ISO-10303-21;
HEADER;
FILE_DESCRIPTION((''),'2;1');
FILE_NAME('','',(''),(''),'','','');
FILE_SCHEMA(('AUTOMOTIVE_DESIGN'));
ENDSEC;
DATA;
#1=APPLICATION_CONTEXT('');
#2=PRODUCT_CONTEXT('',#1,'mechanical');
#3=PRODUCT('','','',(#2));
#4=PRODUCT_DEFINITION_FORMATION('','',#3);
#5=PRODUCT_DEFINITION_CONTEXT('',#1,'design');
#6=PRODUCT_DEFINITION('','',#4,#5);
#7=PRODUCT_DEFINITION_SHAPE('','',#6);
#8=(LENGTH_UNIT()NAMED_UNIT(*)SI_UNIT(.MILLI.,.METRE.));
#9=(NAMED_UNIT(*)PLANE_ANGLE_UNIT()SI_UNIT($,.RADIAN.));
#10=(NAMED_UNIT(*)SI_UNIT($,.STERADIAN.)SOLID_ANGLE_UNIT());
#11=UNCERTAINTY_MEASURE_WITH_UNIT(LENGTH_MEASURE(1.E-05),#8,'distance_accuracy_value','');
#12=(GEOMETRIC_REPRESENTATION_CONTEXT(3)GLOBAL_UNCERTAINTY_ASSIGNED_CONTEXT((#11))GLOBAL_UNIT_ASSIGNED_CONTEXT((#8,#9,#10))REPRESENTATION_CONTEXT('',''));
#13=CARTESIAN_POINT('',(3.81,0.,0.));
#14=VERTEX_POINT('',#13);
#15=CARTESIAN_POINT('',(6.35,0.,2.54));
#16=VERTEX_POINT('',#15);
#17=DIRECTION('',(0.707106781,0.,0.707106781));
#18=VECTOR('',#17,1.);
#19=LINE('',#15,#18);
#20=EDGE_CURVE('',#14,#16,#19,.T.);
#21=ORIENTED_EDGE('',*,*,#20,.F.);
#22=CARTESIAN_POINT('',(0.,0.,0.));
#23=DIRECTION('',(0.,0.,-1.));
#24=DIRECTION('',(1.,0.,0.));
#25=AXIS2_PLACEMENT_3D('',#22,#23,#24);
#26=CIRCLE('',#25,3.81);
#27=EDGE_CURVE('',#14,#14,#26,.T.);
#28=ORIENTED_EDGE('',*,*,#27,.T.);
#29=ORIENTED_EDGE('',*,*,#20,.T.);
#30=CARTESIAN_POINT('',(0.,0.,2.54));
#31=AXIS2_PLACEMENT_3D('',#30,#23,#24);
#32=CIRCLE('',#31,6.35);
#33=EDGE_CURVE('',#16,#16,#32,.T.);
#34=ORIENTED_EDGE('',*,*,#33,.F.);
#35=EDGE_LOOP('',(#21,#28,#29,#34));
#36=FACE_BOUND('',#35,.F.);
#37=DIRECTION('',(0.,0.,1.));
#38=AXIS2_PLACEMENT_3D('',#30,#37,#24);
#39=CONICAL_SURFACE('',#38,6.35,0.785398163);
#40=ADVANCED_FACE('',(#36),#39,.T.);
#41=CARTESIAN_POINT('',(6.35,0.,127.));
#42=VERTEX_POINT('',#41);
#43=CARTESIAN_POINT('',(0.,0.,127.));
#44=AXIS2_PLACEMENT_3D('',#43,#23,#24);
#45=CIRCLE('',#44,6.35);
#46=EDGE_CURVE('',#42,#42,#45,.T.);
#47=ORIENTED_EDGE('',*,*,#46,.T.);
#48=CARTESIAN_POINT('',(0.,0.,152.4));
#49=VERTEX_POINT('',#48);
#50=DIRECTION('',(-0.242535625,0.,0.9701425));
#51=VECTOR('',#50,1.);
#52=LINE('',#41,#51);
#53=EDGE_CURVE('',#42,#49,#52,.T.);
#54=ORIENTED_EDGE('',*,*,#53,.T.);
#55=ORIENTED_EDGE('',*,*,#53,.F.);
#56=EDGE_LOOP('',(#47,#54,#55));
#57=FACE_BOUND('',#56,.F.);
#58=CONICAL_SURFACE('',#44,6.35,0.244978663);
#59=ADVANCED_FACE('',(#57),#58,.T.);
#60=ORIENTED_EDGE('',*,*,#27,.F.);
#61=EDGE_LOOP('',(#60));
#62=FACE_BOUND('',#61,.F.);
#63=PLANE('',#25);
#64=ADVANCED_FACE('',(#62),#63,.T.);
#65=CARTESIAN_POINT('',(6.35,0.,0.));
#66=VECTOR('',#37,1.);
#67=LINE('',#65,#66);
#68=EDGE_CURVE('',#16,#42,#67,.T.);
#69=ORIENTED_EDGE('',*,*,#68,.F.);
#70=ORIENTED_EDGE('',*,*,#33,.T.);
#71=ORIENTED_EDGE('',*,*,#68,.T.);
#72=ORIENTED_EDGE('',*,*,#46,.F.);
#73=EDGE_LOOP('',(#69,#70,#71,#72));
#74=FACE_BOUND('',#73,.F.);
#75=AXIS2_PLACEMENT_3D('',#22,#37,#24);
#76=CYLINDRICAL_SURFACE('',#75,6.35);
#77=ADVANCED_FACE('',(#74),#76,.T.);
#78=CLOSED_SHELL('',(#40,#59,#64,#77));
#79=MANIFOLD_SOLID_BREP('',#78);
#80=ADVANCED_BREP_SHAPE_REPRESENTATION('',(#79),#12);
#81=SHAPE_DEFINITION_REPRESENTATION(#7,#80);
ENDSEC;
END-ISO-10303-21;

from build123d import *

# Parameters (mm, degrees)
F2_SIZE = 2.54


with BuildPart() as f1:
    # F0 (on Front) → F1 (revolve)
    with BuildSketch(Plane.XZ):
        Polygon((6.35, 127), (0, 152.4), (0, 0), (6.35, 0), align=None)
    revolve(axis=Axis((0, 0, 76.2), (0, 0, -1)))

    # F2
    f2_edges = [f1.edges().sort_by_distance(p)[0] for p in [
        (-6.35, 0, 0),
    ]]
    chamfer(f2_edges, length=F2_SIZE)


solid = f1.part
